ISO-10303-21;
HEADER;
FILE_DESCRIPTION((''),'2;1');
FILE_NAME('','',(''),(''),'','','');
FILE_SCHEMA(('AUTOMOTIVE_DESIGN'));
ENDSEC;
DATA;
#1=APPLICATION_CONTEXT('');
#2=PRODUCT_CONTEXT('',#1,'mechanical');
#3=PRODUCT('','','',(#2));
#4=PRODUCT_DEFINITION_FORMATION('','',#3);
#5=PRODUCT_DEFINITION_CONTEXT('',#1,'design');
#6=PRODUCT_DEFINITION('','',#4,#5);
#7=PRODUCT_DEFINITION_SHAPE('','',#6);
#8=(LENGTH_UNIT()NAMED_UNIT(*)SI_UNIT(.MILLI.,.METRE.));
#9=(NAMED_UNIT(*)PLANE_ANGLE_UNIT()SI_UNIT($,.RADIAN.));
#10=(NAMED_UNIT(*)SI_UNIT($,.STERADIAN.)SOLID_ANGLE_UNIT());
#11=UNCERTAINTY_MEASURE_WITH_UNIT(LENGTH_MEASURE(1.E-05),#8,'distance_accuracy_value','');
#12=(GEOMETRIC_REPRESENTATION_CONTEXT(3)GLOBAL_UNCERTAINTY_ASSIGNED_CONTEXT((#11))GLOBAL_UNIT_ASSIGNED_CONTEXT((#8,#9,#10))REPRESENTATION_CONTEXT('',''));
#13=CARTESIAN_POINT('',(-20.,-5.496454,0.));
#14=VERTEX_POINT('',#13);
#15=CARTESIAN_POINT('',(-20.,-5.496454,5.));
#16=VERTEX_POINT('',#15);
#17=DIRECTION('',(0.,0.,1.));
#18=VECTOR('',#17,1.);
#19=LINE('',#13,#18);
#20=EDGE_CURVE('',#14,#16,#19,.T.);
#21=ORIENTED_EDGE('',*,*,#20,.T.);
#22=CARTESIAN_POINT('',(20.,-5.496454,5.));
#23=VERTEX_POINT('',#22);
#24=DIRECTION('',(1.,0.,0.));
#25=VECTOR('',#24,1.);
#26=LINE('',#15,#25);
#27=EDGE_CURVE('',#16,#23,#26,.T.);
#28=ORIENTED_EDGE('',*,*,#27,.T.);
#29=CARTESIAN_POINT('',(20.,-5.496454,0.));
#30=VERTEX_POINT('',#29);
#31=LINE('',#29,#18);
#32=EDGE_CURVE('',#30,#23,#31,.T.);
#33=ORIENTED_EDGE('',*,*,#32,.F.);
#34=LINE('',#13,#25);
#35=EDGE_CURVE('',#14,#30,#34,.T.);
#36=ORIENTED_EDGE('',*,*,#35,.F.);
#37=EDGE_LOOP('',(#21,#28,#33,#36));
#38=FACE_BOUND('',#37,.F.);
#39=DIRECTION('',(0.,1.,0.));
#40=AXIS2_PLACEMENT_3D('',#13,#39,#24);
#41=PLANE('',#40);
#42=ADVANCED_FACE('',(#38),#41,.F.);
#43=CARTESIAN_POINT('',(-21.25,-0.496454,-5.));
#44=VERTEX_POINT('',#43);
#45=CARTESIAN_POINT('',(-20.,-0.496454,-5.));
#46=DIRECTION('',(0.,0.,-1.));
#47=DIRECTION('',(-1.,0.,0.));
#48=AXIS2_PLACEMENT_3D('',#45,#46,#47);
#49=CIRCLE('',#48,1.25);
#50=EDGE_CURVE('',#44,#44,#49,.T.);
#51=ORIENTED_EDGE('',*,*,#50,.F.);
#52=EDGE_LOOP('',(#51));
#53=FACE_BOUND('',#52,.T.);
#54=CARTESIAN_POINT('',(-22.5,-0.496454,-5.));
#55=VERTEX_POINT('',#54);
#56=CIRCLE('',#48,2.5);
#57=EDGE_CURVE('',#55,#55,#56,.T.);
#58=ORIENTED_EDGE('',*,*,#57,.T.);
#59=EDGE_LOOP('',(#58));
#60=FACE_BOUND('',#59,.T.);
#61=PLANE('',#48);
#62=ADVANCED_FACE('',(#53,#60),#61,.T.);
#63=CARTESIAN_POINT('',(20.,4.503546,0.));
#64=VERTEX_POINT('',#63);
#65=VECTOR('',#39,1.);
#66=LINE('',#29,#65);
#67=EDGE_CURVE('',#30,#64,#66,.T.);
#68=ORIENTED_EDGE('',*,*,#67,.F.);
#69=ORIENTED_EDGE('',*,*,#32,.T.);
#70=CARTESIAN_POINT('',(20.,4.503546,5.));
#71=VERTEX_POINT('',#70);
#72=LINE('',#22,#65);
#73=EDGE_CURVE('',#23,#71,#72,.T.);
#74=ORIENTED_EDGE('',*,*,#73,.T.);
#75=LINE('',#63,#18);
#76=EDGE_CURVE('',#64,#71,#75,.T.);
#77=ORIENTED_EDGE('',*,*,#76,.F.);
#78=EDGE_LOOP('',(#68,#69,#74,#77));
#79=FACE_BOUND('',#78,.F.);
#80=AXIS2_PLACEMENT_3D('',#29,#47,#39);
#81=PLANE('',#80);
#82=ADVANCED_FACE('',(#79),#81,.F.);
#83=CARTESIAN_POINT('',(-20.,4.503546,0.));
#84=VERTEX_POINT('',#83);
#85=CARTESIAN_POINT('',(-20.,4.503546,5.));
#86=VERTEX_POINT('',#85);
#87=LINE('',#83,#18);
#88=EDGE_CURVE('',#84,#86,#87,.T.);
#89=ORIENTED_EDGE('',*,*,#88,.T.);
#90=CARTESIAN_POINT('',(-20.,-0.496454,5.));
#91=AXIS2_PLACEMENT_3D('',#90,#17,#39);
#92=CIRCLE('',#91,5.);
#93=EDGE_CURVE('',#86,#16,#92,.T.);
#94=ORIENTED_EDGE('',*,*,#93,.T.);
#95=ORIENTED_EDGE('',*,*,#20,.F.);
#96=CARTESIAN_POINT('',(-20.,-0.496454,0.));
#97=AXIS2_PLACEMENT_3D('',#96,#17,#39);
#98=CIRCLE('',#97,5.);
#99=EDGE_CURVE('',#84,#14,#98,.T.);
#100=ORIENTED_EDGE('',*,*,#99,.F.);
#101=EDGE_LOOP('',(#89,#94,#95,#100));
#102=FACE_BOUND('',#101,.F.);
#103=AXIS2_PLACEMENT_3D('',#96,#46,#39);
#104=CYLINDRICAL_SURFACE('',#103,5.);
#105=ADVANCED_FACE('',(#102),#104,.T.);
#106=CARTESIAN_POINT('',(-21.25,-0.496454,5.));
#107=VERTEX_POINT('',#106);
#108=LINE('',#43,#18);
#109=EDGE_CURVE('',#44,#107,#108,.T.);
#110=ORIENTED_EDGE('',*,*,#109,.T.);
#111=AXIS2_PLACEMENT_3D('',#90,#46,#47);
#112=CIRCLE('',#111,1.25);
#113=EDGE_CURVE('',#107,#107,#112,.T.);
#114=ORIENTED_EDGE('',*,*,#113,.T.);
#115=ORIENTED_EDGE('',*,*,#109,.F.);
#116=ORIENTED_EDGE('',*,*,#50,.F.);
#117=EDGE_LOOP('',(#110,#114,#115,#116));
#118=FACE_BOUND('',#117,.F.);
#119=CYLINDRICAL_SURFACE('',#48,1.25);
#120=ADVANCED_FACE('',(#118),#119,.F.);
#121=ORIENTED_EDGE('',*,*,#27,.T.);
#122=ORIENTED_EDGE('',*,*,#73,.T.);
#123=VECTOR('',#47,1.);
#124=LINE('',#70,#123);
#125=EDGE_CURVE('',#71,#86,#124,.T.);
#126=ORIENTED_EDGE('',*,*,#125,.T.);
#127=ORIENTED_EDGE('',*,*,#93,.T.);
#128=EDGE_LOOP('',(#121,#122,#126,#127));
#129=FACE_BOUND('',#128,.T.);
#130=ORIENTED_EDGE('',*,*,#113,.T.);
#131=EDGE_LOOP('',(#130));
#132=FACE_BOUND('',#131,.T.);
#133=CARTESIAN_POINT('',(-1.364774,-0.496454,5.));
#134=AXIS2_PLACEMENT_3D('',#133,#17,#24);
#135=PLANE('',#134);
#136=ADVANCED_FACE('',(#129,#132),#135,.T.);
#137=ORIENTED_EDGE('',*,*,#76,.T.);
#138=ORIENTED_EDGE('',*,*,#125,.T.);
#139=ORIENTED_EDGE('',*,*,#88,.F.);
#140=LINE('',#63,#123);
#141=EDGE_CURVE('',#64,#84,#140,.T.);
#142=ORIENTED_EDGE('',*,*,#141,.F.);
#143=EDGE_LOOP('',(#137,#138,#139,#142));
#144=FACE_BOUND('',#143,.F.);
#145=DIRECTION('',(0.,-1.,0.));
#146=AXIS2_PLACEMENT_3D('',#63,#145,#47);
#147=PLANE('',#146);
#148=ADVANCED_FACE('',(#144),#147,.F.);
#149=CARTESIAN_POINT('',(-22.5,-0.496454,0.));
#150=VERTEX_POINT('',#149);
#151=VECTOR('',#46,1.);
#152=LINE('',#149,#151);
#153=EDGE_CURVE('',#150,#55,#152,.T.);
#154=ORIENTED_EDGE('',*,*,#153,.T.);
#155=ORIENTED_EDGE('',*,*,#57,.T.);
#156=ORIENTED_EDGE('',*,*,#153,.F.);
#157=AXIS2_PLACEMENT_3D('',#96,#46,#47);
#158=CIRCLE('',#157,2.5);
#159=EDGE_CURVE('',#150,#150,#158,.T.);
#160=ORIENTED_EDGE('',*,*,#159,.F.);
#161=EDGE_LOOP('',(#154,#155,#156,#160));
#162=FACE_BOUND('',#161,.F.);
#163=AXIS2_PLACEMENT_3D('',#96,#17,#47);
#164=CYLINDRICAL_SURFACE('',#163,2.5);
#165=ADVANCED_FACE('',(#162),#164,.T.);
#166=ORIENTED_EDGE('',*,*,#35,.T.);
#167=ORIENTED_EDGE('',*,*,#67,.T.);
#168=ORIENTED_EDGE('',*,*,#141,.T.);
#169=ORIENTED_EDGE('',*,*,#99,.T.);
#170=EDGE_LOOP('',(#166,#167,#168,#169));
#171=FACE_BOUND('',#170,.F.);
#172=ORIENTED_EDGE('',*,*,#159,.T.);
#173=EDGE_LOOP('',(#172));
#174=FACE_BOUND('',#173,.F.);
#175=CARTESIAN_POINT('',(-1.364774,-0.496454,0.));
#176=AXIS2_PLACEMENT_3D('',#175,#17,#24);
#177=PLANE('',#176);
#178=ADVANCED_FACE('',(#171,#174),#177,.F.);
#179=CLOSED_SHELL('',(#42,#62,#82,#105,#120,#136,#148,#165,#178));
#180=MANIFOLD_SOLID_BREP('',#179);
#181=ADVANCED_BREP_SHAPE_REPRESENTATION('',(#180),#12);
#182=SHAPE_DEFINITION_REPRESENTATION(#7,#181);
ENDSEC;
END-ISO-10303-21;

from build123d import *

# Parameters (mm, degrees)
ESTRUSIONE_ESTRUSIONE1_DEPTH = 5
SCHIZZO2_R                   = 2.5
ESTRUSIONE_ESTRUSIONE2_DEPTH = 5
SCHIZZO3_R                   = 1.25
TAGLIO_ESTRUSIONE1_DEPTH     = 11


with BuildPart() as part:
    # Schizzo1 → Estrusione-Estrusione1 (new body)
    with BuildSketch(Plane.XY):
        with BuildLine():
            Line((20, 4.503546099), (-20, 4.503546099))
            ThreePointArc((-20, 4.503546099), (-25, -0.496453901), (-20, -5.496453901))
            Line((-20, -5.496453901), (20, -5.496453901))
            Line((20, -5.496453901), (20, 4.503546099))
        make_face()
    extrude(amount=ESTRUSIONE_ESTRUSIONE1_DEPTH)

    # Schizzo2 → Estrusione-Estrusione2 (add)
    with BuildSketch(Plane(origin=(0, 0, 0), x_dir=(-1, 0, 0), z_dir=(0, 0, -1))):
        with Locations((20, -0.496453901)):
            Circle(SCHIZZO2_R)
    extrude(amount=ESTRUSIONE_ESTRUSIONE2_DEPTH)

    # Schizzo3 → Taglio-Estrusione1 (cut, through all)
    with BuildSketch(Plane(origin=(0, 0, -5), x_dir=(-1, 0, 0), z_dir=(0, 0, -1))):
        with Locations((20, -0.496453901)):
            Circle(SCHIZZO3_R)
    extrude(amount=-TAGLIO_ESTRUSIONE1_DEPTH, mode=Mode.SUBTRACT)


solid = part.part
